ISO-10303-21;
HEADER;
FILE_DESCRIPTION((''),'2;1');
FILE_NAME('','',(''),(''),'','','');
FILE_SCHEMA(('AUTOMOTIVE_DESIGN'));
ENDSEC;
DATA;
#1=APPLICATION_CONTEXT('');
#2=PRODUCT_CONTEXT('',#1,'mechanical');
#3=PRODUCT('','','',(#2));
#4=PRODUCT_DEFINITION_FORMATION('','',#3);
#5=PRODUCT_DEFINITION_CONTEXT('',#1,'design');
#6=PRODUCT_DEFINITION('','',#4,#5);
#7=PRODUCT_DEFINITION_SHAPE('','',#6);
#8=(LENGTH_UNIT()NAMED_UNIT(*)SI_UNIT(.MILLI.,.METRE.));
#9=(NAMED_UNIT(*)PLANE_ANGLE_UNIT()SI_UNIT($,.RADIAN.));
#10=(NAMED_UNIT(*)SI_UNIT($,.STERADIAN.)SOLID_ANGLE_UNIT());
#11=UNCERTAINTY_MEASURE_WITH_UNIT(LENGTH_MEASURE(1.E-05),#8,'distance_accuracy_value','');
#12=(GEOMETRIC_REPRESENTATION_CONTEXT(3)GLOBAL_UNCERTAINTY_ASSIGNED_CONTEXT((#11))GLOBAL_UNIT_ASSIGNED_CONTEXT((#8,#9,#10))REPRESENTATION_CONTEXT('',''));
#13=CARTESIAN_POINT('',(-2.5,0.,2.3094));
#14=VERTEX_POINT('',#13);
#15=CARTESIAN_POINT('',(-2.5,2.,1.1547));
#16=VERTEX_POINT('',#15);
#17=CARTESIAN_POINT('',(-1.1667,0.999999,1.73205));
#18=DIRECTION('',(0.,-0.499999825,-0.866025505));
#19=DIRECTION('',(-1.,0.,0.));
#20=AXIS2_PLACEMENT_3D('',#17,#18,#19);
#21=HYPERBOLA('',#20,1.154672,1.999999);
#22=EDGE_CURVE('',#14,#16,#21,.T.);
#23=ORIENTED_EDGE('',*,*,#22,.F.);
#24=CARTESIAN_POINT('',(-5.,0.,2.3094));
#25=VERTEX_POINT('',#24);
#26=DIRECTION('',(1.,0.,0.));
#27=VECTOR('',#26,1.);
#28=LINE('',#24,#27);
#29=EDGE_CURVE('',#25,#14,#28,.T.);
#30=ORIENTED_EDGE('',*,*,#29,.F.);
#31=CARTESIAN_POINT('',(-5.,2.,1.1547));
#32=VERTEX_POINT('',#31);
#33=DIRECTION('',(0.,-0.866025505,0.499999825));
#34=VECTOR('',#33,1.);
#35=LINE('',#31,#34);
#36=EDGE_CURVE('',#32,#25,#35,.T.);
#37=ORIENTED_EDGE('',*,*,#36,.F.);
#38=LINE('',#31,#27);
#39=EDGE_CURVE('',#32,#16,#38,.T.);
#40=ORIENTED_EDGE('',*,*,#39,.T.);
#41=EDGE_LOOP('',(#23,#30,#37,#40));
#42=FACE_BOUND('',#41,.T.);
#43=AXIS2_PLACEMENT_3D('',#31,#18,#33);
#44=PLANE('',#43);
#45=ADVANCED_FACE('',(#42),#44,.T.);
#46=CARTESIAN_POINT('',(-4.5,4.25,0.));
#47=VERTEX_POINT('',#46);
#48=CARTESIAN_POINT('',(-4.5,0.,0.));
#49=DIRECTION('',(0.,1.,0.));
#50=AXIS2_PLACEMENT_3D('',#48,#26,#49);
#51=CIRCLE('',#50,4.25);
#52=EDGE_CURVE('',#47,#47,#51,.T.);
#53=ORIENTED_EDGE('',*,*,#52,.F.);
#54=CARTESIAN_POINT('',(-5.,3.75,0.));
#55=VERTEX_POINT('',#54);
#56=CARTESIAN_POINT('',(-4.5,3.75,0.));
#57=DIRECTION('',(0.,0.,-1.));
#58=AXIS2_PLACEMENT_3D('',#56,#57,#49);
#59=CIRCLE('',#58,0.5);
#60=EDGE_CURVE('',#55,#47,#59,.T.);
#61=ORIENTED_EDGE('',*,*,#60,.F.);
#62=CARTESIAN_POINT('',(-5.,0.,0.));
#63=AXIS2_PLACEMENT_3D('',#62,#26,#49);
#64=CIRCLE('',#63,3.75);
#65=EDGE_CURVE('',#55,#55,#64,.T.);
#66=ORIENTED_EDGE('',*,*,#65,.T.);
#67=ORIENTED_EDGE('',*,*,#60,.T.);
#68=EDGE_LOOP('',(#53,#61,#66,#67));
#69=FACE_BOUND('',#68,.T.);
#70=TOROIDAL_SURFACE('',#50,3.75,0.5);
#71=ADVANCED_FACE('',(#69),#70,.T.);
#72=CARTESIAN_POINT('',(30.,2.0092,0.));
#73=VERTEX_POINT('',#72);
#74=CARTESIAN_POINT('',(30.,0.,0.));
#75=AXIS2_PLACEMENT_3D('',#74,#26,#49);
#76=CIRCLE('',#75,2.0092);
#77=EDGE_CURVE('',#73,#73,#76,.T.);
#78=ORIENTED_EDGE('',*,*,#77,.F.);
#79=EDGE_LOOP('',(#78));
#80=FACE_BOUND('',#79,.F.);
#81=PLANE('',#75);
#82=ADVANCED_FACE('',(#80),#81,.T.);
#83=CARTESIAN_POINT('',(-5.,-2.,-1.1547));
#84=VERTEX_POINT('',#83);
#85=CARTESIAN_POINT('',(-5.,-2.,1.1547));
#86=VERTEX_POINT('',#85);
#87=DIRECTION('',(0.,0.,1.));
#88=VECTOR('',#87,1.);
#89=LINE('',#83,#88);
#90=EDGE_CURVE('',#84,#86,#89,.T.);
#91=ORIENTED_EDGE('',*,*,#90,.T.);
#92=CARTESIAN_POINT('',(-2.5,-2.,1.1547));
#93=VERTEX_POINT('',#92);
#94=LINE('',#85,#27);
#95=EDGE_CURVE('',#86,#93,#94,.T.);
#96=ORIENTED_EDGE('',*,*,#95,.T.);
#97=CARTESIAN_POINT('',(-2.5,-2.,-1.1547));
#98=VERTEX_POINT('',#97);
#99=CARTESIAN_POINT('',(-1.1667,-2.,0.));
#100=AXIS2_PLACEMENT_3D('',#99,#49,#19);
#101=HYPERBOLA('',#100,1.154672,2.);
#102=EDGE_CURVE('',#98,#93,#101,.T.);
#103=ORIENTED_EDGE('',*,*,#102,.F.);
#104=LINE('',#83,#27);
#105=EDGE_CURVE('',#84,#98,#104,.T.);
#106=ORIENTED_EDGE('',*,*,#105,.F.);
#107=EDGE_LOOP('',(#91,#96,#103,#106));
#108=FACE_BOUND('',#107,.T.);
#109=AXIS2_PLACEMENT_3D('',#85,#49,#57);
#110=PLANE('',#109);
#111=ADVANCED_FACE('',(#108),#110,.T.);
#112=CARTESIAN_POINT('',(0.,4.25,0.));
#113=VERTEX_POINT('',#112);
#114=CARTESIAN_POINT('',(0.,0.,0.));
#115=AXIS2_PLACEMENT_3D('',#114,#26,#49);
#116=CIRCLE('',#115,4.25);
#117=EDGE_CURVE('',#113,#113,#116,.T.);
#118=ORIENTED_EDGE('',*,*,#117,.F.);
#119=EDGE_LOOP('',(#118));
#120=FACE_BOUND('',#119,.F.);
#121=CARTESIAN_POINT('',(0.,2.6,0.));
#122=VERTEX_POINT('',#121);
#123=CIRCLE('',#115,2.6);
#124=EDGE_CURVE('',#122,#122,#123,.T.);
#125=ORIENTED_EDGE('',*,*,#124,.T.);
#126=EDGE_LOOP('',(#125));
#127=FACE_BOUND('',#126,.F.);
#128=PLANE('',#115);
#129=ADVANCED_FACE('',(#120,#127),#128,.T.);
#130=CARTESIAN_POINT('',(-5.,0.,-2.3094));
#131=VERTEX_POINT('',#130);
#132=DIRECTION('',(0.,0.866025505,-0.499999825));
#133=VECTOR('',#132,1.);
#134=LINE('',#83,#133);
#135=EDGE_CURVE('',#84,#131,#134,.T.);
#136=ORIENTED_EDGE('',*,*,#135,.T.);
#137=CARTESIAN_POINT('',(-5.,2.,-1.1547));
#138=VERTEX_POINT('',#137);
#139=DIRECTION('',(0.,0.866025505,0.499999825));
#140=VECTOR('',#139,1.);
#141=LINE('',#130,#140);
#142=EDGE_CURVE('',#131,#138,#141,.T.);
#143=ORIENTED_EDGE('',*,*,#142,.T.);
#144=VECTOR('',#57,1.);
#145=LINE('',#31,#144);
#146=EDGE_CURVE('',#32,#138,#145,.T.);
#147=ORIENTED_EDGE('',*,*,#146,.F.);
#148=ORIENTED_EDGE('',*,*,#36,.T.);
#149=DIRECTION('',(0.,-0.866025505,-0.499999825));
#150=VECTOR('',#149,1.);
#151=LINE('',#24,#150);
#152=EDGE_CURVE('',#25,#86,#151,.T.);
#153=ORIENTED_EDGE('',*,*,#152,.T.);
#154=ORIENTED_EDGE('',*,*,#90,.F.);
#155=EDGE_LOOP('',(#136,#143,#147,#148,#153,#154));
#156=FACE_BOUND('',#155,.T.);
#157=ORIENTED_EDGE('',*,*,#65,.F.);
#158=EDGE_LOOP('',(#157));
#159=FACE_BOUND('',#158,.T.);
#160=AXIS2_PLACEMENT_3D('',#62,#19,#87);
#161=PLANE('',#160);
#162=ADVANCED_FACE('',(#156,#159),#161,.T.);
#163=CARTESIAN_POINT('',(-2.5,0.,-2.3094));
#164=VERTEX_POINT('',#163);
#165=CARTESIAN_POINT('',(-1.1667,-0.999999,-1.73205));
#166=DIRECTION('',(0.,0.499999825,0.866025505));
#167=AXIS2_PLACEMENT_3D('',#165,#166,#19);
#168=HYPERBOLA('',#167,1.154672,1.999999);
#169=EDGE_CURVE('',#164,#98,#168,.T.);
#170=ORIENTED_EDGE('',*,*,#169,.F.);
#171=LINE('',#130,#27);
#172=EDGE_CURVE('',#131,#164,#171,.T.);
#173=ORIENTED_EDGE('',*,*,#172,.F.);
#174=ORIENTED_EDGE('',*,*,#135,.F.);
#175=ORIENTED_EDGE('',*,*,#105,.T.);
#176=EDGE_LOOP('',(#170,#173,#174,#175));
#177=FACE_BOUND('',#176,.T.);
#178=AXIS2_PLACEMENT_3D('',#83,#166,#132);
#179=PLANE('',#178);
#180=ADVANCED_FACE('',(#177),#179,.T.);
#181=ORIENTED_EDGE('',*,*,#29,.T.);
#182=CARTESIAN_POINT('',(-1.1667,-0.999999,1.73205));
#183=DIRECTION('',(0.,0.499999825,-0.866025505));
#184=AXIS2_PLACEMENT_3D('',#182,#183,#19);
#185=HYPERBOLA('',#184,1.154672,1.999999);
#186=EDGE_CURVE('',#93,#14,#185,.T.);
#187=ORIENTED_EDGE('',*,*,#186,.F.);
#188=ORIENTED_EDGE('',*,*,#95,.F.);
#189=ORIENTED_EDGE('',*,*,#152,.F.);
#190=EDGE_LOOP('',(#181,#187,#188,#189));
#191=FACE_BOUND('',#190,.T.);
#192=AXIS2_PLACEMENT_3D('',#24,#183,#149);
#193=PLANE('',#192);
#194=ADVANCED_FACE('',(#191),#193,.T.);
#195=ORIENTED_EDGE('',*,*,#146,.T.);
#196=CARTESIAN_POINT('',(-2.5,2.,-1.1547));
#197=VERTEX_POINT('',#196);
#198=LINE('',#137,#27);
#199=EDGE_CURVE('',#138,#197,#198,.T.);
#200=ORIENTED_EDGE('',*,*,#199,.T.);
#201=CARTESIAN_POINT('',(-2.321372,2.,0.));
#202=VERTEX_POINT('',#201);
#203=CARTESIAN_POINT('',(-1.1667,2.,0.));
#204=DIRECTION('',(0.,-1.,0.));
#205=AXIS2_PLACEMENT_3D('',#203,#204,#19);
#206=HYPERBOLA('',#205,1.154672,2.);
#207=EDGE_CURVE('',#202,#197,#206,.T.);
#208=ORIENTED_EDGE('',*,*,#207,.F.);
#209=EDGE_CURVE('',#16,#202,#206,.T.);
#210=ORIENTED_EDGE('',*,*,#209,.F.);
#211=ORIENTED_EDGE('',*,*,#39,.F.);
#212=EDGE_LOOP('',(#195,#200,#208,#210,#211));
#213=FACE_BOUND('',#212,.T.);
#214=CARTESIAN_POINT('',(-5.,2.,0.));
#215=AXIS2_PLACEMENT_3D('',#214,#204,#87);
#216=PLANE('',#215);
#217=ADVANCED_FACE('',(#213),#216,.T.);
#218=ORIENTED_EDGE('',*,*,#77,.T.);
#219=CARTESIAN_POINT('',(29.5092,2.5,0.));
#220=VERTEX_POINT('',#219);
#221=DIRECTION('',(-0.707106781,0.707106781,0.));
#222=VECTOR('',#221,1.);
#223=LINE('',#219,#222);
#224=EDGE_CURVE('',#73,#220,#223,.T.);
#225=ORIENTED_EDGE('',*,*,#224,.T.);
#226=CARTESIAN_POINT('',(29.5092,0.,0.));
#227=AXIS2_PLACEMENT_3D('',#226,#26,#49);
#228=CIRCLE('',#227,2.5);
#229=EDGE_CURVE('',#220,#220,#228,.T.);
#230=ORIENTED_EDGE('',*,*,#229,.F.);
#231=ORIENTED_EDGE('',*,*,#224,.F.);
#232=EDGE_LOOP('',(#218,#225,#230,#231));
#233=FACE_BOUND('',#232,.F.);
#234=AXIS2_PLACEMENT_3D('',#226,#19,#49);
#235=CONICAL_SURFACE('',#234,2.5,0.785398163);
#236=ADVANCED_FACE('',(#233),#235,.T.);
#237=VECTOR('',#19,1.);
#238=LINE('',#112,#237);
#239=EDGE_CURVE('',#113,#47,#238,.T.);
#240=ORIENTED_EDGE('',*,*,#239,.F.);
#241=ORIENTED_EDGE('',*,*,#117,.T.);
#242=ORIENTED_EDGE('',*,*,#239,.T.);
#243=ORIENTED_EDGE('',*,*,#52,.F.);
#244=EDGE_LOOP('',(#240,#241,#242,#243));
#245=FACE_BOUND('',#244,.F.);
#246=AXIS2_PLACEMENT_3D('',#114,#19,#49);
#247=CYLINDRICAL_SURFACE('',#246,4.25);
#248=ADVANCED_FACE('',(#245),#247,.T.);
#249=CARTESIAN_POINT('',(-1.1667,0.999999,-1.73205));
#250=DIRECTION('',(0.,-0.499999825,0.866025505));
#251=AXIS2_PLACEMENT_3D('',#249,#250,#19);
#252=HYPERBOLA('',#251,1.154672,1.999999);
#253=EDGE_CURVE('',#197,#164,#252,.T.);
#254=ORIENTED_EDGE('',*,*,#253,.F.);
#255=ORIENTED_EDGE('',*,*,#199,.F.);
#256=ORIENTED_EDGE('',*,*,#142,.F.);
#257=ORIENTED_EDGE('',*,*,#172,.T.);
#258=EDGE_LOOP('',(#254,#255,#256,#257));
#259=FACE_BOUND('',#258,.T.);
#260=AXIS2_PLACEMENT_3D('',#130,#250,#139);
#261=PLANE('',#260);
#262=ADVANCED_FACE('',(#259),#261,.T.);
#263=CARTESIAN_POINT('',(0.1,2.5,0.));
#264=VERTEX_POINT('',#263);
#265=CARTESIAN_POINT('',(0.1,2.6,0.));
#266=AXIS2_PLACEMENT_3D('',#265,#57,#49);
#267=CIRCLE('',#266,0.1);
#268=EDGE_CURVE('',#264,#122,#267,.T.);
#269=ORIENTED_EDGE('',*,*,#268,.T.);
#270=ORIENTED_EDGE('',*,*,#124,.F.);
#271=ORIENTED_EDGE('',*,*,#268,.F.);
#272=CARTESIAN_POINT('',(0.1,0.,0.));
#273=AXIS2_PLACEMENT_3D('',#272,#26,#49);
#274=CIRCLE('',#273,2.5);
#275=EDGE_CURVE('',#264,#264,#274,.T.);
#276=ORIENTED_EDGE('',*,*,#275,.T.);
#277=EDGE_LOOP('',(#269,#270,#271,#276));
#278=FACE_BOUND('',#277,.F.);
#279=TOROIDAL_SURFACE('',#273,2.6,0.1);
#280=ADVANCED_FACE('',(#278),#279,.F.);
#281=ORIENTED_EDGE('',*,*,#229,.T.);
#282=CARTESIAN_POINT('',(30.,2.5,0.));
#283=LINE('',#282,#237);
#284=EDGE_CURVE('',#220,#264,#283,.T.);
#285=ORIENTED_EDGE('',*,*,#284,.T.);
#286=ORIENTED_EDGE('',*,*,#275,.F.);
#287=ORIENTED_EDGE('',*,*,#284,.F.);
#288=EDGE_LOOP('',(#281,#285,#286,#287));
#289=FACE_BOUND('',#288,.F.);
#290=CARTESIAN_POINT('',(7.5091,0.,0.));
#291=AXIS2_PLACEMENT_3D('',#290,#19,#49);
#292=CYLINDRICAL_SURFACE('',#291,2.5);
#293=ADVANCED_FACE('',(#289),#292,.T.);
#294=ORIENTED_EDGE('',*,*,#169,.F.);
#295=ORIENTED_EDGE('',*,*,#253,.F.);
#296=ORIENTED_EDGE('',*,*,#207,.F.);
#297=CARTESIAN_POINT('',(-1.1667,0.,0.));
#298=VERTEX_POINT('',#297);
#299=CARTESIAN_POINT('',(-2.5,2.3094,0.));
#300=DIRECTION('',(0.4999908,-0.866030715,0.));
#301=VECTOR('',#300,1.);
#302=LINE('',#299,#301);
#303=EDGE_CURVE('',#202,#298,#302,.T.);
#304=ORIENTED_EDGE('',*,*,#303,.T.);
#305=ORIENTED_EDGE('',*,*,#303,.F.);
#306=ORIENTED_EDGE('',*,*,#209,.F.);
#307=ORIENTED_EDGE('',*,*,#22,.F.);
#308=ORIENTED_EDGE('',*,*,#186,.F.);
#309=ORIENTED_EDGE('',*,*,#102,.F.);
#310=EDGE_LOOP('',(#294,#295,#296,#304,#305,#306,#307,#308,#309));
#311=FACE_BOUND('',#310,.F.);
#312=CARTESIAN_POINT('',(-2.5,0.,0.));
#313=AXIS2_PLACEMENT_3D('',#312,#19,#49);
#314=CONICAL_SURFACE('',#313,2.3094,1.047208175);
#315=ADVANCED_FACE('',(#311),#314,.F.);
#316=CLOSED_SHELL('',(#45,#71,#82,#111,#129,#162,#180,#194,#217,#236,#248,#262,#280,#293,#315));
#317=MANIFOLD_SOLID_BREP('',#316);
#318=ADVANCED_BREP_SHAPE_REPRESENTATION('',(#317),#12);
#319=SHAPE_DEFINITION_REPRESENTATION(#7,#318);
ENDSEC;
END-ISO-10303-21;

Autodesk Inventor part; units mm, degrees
ref_plane "YZ Plane" through (0, 0, 0) normal (1, 0, 0) x (0, 1, 0)
ref_plane "XZ Plane" through (0, 0, 0) normal (0, 1, 0) x (-1, 0, 0)
sketch "Sketch1" plane through (0, 0, 0) normal (0, 0, 1) x (1, 0, 0)
  line L0 (-1.1667, 0) -> (30, 0)
  line L1 (30, 0) -> (30, 2.5)
  line L2 (30, 2.5) -> (8, 2.5)
  line L3 (8, 2.5) -> (7.5091, 2.5)
  line L4 (7.5091, 2.5) -> (0, 2.5)
  line L5 (0, 2.5) -> (0, 4.25)
  line L6 (0, 4.25) -> (-5, 4.25)
  line L7 (-5, 4.25) -> (-5, 2.3094)
  line L8 (-5, 2.3094) -> (-2.5, 2.3094)
  line L9 (-2.5, 2.3094) -> (-1.1667, 0)
  line L10 (-12, 0) -> (37, 0) projected
  line L11 (0, -0.85) -> (0, 5.1) projected
  line L12 (8, 2.5) -> (0, 2.5) construction
  dimension "d1" = 22
  dimension "d2" = 0.4909
  dimension "d3" = 5
  dimension "d4" = 2.5
  dimension "d5" = 60
  dimension "d6" = 5
  dimension "d7" = 5
  dimension "d8" = 4.6188
  dimension "d9" = 8.5
  dimension "d26" = 30
revolve "Body" add sketch "Sketch1" angle 360 about axis through (-1.1667, 0, 0) along (1, 0, 0)
sketch "Sketch2" plane through (-5, 0, 0) normal (-1, 0, 0) x (0, 0, 1)
  circle A0 centre (0, 0) radius 2.3094 projected
  line L0 (0, -5.95) -> (0, 5.95) projected
  line L1 (-5.95, 0) -> (5.95, 0) projected
  line L2 (2.3094, 0) -> (1.1547, -2)
  line L3 (1.1547, -2) -> (-1.1547, -2)
  line L4 (-1.1547, -2) -> (-2.3094, 0)
  line L5 (-2.3094, 0) -> (-1.1547, 2)
  line L6 (-1.1547, 2) -> (1.1547, 2)
  line L7 (1.1547, 2) -> (2.3094, 0)
extrude "Slot" add sketch "Sketch2" against normal up to next contours L7 A0 | A0 L2 | L6 L0 A0 | A0 L0 L3 | L0 L6 A0 | A0 L3 L0 | L4 A0 | A0 L5
fillet "Fillet1" radius 0.5 1 edges at (-5, -4.25, 0)
thread "Thread" size "M5x0.8" designation "M5" class "6g" standard "ISO Metric profile" length 22
chamfer "Chamfer1" distance 0.4908 distance2 0.4908 1 edges at (30, -2.5, 0) measured on face at (30, -0.5525, -0.0341)
ref_plane "Work Plane1" through (29, 0, 0) normal (0, -1, 0) x (1, 0, 0)
fillet "Fillet2" radius 0.1 1 edges at (0, -2.5, 0)
equation "\"d1\" = GEL"
equation "\"d3\" = KOH"
equation "\"d4\" = INTI"
equation "\"d6\" = GD"
equation "\"d7\" = BDM"
equation "\"d8\" = 1.1547 * SW"
equation "\"d9\" = KOD"
equation "\"d26\" = NLG"
equation "\"d30\" = R"
equation "\"d17\" = RR"
equation "\"d13\" = GEL"
equation "\"d15\" = -0.5 * SPD + 0.5 * GD"
equation "\"d16\" = GUL"
equation "\"GD\" = 5"
equation "\"NLG\" = 30"
equation "\"GEL\" = 22"
equation "\"KOD\" = 8.5"
equation "\"KOH\" = 5"
equation "\"INTI\" = 2.5"
equation "\"GAL\" = 0.61345 * PTC"
equation "\"GUL\" = 0.61345 * PTC"
equation "\"BDM\" = NND"
equation "\"SW\" = 4"
equation "\"RR\" = 0.5"
equation "\"SPD\" = NND - 1.2269 * PTC"
equation "\"R\" = 0.1"
equation "\"TOA\" = 30deg"
equation "\"GD1\" = THREADDIA - 1.2269 * PTC"
equation "\"THREADDIA\" = 5"
equation "\"FAWI\" = 45deg"
equation "\"PTC\" = 0.8"
equation "\"NND\" = 5"
equation "\"E0\" = 1.155 * SW"
properties part number "ISO 4762 - M5 x 30" material "Steel"
